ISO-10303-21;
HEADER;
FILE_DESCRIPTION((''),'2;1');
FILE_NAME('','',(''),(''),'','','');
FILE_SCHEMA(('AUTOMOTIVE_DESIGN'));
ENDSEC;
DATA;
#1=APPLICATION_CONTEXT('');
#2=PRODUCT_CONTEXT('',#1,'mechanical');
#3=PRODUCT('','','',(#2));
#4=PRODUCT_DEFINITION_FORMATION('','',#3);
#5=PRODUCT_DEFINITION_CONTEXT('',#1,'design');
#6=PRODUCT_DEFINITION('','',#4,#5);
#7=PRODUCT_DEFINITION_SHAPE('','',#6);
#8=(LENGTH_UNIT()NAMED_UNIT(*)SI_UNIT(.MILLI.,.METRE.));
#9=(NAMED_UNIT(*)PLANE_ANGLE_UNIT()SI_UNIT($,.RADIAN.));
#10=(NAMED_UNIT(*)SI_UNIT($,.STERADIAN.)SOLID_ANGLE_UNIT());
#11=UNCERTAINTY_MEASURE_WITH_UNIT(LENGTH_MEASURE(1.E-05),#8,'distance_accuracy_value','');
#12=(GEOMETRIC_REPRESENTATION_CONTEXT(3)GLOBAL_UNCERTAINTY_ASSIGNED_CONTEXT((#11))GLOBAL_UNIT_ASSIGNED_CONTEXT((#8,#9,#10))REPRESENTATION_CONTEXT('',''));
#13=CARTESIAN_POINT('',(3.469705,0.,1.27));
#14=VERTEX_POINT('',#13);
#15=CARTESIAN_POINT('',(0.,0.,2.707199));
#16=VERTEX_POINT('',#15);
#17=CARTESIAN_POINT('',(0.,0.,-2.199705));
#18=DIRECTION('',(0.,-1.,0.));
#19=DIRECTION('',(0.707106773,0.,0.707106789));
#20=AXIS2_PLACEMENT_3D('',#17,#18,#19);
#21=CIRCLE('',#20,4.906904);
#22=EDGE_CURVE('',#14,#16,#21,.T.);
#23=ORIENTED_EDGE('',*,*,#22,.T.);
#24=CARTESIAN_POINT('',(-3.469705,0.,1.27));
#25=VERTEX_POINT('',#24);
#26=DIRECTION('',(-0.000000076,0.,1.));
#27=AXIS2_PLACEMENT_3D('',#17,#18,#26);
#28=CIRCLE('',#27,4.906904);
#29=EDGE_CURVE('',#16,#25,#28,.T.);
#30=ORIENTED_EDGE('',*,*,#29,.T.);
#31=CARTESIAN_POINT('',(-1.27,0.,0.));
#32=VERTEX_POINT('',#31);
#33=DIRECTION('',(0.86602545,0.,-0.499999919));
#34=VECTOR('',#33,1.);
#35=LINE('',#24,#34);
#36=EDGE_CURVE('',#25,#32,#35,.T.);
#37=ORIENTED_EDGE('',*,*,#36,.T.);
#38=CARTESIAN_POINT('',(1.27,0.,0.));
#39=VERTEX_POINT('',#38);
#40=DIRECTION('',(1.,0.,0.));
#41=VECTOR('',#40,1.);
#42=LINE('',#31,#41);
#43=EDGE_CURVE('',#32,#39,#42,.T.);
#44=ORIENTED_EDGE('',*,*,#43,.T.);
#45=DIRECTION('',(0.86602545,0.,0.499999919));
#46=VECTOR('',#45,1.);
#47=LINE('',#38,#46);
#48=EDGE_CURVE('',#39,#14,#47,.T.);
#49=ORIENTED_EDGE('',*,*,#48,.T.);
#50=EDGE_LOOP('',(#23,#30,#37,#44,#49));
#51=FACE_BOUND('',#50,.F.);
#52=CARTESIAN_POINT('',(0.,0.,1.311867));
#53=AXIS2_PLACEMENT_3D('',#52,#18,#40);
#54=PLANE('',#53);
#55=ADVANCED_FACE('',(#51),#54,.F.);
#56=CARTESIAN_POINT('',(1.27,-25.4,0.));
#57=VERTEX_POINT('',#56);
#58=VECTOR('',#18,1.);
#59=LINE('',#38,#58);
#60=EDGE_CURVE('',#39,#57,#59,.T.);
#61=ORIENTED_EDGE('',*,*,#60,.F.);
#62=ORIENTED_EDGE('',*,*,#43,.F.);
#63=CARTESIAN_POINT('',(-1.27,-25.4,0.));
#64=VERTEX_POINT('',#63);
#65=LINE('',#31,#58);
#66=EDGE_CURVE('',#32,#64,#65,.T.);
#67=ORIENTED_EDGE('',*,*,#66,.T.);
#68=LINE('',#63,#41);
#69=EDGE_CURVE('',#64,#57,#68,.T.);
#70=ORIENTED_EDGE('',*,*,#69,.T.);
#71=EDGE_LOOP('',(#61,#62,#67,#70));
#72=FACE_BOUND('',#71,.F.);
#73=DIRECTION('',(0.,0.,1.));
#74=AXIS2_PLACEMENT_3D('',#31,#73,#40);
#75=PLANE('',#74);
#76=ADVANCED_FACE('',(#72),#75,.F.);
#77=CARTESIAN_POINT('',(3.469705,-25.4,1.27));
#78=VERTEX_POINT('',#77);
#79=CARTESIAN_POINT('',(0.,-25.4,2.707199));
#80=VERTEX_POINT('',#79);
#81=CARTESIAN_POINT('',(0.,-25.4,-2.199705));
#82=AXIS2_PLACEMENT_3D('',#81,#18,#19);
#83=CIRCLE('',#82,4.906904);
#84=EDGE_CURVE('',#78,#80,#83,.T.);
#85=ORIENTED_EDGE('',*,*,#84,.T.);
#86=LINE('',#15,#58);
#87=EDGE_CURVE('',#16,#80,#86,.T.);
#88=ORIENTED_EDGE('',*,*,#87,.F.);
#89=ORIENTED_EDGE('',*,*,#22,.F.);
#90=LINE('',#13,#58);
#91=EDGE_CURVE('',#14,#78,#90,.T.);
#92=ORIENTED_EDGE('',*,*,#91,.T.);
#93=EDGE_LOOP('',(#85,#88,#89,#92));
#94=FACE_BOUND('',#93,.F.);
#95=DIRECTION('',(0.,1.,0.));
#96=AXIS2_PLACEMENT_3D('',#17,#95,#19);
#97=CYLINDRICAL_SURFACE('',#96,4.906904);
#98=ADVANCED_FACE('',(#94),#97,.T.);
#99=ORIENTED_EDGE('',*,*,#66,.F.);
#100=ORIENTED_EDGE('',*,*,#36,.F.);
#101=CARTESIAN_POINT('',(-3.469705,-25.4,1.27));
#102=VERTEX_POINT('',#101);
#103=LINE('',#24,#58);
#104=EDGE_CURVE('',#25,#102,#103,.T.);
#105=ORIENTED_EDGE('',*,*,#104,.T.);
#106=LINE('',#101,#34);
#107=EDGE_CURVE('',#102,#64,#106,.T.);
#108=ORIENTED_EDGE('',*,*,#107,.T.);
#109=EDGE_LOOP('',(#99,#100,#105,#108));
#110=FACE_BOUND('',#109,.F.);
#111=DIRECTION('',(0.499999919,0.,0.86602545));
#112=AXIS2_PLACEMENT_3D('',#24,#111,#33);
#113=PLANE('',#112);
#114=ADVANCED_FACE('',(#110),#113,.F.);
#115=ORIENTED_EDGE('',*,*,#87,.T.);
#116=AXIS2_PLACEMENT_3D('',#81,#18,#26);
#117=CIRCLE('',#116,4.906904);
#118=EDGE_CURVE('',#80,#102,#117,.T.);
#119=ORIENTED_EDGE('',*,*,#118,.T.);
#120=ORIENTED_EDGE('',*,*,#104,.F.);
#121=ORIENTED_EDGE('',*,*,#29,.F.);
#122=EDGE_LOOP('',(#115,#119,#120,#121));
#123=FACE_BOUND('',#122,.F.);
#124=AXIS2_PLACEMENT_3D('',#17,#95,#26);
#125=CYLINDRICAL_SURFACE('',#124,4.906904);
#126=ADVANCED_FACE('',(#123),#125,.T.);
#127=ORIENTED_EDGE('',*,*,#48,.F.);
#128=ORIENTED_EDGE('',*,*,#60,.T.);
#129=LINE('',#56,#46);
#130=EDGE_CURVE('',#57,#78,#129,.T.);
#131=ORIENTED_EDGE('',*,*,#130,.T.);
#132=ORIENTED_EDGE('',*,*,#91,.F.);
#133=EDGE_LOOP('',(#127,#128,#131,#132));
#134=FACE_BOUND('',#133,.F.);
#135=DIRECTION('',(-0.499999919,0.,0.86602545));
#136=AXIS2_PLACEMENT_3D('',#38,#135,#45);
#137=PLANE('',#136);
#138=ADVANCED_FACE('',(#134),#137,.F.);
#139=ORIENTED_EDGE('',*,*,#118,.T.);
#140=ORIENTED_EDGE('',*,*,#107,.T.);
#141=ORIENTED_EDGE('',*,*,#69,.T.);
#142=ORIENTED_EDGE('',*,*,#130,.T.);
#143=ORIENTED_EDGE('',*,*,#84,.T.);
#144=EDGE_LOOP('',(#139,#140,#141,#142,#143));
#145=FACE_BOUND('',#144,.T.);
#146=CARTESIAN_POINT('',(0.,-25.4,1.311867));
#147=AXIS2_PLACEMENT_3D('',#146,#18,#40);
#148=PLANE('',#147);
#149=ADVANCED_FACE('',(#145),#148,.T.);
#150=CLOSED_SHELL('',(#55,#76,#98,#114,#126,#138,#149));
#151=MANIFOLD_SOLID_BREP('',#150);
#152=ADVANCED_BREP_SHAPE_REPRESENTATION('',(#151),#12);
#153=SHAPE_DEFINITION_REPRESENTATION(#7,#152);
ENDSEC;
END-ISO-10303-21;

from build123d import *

# Parameters (mm, degrees)
F1_DEPTH = 25.4


with BuildPart() as f1:
    # F0 (on Front) → F1 (new body)
    with BuildSketch(Plane.XZ):
        with BuildLine():
            Line((-1.27, 0), (0, 0))
            Line((0, 0), (1.27, 0))
            Line((1.27, 0), (3.469705, 1.27))
            ThreePointArc((3.469705, 1.27), (1.877791, 2.333683), (0, 2.707199))
            ThreePointArc((0, 2.707199), (-1.877791, 2.333683), (-3.469705, 1.27))
            Line((-3.469705, 1.27), (-1.27, 0))
        make_face()
    extrude(amount=F1_DEPTH)


solid = f1.part
